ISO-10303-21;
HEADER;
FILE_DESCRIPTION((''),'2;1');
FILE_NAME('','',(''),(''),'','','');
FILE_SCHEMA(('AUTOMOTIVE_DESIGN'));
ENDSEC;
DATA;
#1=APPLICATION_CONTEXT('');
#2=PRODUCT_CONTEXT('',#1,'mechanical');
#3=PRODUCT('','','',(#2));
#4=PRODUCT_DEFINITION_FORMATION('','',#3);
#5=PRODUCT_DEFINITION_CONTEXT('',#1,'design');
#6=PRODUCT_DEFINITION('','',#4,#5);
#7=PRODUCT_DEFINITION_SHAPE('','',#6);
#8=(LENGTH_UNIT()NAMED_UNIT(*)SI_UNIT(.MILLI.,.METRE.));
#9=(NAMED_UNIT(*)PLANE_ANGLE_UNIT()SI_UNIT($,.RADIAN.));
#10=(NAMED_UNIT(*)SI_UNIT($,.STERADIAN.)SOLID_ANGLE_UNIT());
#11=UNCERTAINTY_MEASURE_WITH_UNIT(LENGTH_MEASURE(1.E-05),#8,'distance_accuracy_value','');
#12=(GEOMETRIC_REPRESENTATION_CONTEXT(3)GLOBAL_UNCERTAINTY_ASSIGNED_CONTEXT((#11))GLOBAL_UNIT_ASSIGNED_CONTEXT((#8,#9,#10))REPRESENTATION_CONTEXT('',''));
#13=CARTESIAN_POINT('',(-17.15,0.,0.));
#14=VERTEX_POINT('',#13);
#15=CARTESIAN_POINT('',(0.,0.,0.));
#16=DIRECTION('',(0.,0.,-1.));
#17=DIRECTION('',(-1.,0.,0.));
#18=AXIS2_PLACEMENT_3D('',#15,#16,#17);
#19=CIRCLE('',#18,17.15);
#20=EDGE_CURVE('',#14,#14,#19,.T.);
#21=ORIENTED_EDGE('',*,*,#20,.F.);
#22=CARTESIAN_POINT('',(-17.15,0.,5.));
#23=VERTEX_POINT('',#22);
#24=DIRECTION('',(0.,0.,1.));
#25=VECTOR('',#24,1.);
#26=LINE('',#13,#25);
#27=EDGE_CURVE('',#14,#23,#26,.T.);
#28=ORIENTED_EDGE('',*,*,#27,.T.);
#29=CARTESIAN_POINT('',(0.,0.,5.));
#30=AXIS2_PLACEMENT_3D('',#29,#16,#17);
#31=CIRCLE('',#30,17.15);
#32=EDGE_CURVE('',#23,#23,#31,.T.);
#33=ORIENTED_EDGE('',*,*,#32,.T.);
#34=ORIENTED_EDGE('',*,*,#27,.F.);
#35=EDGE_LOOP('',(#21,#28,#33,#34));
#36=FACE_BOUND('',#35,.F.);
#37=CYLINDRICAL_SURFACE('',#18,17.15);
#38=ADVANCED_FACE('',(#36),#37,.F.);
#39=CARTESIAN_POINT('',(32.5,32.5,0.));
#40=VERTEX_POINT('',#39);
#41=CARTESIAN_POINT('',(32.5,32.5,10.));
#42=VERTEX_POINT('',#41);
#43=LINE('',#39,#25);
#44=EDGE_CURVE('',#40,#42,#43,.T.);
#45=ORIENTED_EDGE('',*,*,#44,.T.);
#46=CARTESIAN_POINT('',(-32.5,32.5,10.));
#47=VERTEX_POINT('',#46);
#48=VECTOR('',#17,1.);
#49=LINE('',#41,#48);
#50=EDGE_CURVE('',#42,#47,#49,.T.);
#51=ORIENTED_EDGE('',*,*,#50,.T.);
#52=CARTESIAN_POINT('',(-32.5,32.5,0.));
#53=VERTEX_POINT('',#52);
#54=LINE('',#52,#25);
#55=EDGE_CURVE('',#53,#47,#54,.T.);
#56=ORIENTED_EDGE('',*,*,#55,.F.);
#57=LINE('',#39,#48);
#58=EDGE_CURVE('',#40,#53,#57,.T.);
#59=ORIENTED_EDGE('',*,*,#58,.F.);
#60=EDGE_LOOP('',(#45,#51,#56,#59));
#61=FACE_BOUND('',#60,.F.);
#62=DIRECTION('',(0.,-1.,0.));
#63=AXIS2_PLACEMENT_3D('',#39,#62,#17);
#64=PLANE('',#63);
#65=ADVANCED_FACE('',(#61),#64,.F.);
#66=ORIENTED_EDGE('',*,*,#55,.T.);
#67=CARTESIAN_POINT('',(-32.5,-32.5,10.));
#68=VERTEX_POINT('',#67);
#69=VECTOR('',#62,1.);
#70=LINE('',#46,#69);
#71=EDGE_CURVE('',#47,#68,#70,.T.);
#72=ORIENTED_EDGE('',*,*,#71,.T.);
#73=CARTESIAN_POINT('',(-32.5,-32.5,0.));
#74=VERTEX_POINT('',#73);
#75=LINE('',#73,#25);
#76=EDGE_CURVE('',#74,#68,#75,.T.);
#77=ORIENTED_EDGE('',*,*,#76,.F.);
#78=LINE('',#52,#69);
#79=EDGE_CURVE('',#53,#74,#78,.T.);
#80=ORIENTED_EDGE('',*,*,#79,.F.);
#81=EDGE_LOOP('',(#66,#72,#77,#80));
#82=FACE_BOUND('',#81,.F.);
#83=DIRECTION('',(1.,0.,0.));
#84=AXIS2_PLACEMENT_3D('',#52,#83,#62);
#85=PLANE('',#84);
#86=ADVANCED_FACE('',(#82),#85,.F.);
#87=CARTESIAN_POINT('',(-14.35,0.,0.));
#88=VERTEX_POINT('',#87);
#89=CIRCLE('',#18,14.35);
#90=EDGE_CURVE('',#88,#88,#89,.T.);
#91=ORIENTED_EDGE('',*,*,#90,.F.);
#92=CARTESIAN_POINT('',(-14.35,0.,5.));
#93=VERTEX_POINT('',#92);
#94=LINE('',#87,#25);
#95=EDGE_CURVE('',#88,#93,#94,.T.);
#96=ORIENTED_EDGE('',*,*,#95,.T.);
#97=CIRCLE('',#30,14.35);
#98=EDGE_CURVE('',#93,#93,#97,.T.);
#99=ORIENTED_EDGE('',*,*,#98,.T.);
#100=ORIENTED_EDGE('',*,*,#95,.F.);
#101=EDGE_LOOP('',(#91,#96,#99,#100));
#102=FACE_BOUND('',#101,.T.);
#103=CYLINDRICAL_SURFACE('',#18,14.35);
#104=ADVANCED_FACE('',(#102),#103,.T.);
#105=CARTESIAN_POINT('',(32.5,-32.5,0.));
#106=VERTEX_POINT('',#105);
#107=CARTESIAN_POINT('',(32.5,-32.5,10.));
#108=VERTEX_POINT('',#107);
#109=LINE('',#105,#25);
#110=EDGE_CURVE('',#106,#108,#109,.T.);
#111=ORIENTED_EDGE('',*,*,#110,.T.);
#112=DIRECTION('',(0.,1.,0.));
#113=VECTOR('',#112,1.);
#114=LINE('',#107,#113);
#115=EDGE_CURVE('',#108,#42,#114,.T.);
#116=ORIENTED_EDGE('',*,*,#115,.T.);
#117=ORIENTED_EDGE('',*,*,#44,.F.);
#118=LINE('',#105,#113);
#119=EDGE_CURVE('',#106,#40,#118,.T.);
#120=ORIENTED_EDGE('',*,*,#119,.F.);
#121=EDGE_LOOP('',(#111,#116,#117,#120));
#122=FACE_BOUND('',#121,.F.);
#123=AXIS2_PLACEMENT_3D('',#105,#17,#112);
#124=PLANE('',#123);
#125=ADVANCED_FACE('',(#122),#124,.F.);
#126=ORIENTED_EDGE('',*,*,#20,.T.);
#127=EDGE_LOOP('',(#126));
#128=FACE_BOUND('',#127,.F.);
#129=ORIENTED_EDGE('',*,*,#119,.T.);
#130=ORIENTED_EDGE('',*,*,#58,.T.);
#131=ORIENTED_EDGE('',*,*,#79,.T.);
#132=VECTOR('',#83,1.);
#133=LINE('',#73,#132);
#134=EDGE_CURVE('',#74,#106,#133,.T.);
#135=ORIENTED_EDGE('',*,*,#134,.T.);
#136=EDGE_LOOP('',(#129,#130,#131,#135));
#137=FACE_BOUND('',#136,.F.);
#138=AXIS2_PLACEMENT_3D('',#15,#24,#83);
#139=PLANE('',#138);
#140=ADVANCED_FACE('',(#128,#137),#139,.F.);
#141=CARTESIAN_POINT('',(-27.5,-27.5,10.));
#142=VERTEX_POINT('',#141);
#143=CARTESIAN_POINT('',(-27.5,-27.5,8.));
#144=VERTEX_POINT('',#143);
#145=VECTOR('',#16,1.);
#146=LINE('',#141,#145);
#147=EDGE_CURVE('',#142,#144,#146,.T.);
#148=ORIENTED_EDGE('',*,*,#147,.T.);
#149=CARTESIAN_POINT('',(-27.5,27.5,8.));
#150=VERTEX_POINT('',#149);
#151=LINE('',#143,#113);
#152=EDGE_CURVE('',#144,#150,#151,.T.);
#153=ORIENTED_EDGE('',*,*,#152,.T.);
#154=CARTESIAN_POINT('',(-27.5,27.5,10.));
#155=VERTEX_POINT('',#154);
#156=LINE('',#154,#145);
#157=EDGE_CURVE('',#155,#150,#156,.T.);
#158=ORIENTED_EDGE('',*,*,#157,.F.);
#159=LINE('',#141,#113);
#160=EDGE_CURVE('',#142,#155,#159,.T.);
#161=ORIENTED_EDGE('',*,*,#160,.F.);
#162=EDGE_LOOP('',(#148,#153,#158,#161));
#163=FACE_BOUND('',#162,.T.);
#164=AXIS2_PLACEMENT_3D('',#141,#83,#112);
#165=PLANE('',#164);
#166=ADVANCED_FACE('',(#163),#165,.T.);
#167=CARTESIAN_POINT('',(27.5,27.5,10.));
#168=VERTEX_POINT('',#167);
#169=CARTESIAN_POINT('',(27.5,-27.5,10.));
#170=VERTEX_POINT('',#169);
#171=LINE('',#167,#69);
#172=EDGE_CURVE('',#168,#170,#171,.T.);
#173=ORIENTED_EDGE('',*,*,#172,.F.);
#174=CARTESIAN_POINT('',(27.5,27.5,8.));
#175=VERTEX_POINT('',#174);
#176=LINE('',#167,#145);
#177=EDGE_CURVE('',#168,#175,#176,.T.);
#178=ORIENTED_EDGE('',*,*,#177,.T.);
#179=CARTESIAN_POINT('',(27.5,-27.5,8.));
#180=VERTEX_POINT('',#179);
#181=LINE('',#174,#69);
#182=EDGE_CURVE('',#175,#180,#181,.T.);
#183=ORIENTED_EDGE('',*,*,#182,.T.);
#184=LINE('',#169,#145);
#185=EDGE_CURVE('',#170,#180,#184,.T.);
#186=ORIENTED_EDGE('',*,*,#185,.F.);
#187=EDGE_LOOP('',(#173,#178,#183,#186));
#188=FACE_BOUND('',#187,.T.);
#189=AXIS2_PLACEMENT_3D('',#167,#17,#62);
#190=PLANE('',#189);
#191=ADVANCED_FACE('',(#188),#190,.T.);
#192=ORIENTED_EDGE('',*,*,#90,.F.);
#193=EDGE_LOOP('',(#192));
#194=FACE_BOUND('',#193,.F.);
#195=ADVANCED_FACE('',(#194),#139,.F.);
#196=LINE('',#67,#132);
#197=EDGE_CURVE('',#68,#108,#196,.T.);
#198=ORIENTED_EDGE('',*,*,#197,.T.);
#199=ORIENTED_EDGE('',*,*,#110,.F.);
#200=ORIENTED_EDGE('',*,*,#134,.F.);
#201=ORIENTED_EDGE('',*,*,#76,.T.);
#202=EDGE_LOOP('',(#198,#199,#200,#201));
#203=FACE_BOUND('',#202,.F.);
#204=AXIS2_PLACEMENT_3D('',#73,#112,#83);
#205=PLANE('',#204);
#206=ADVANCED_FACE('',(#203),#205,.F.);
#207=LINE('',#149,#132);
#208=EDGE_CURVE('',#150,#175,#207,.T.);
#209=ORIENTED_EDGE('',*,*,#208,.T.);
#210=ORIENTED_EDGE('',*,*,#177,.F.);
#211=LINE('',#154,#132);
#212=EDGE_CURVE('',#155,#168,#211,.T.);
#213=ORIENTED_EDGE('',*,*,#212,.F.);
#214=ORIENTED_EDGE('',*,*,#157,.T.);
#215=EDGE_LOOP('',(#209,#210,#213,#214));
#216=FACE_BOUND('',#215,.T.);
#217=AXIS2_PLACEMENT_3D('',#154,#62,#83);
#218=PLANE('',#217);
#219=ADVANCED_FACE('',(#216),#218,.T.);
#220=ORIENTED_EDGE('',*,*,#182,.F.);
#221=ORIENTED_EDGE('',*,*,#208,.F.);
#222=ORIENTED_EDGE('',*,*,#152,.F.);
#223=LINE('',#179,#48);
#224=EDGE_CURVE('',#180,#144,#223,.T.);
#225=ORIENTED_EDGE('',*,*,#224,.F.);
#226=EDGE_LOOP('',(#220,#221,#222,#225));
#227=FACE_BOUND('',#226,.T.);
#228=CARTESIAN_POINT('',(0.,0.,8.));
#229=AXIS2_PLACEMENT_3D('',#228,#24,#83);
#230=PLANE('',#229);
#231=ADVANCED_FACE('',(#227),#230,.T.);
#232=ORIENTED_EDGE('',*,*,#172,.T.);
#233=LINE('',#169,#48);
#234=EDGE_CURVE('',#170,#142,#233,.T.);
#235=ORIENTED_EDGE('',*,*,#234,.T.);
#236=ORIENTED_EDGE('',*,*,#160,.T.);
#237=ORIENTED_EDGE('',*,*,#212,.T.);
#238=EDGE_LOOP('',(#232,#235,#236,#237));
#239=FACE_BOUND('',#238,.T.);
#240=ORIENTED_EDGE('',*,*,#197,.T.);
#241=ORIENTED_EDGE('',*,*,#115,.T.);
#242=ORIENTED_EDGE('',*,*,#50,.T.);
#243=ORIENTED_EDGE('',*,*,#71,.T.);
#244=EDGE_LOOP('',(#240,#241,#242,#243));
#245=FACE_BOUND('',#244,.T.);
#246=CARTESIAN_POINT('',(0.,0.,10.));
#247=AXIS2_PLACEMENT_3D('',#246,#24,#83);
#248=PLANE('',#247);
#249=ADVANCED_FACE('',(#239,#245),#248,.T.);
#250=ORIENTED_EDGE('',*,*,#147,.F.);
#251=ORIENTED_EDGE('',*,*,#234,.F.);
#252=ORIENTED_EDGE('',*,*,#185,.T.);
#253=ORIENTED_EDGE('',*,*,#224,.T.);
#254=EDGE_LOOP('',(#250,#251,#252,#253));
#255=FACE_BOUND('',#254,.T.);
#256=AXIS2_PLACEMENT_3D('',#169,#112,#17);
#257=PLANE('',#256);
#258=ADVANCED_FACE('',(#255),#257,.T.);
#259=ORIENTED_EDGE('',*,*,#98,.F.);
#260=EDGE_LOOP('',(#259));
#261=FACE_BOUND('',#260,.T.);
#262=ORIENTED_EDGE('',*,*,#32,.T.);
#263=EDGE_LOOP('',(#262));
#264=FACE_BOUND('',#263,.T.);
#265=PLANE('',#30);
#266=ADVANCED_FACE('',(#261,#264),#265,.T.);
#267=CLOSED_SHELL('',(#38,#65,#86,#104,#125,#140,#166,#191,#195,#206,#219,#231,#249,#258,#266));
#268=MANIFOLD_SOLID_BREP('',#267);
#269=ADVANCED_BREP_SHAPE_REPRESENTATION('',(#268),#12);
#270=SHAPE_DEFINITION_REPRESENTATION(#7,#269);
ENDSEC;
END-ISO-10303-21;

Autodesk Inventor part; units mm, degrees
ref_plane "YZ Plane" through (0, 0, 0) normal (1, 0, 0) x (0, 1, 0)
ref_plane "XZ Plane" through (0, 0, 0) normal (0, 1, 0) x (-1, 0, 0)
ref_plane "XY Plane" through (0, 0, 0) normal (0, 0, 1) x (1, 0, 0)
sketch "Sketch5" plane through (0, 0, 0) normal (0, 0, 1) x (1, 0, 0)
  circle A0 centre (0, 0) radius 14.35
  circle A1 centre (0, 0) radius 17.15
  line L0 (32.5, 32.5) -> (-32.5, 32.5)
  line L1 (-32.5, 32.5) -> (-32.5, -32.5)
  line L2 (-32.5, -32.5) -> (32.5, -32.5)
  line L3 (32.5, -32.5) -> (32.5, 32.5)
  line L4 (-27.5, 27.5) -> (27.5, 27.5)
  line L5 (27.5, 27.5) -> (27.5, -27.5)
  line L6 (27.5, -27.5) -> (-27.5, -27.5)
  line L7 (-27.5, -27.5) -> (-27.5, 27.5)
  dimension "d36" = 28.7
  dimension "d37" = 34.3
  dimension "d38" = 65
  dimension "d39" = 65
  dimension "d40" = 55
  dimension "d41" = 55
extrude "Extrusion7" add sketch "Sketch5" along normal blind 10 contours A0 | A1 | L3 L2 L1 L0 | L4 L5 L6 L7
sketch "Sketch6" plane through (0, 0, 0) normal (0, 0, -1) x (-1, 0, 0)
  circle A0 centre (0, 0) radius 14.35
  circle A1 centre (0, 0) radius 17.15
  line L0 (-27.5, 27.5) -> (27.5, 27.5)
  line L1 (27.5, 27.5) -> (27.5, -27.5)
  line L2 (27.5, -27.5) -> (-27.5, -27.5)
  line L3 (-27.5, -27.5) -> (-27.5, 27.5)
  dimension "d44" = 28.7
  dimension "d45" = 34.3
  dimension "d46" = 55
  dimension "d47" = 55
extrude "Extrusion8" cut sketch "Sketch6" against normal blind 5 contours A1
sketch "Sketch7" plane through (0, 0, 10) normal (0, 0, 1) x (1, 0, 0)
  line L0 (-27.5, 27.5) -> (27.5, 27.5)
  line L1 (27.5, 27.5) -> (27.5, -27.5)
  line L2 (27.5, -27.5) -> (-27.5, -27.5)
  line L3 (-27.5, -27.5) -> (-27.5, 27.5)
  point P0 (0, 0)
  dimension "d50" = 55
  dimension "d51" = 55
extrude "Extrusion9" cut sketch "Sketch7" against normal blind 2
properties part number "Clip_MarkerHolderV1"
